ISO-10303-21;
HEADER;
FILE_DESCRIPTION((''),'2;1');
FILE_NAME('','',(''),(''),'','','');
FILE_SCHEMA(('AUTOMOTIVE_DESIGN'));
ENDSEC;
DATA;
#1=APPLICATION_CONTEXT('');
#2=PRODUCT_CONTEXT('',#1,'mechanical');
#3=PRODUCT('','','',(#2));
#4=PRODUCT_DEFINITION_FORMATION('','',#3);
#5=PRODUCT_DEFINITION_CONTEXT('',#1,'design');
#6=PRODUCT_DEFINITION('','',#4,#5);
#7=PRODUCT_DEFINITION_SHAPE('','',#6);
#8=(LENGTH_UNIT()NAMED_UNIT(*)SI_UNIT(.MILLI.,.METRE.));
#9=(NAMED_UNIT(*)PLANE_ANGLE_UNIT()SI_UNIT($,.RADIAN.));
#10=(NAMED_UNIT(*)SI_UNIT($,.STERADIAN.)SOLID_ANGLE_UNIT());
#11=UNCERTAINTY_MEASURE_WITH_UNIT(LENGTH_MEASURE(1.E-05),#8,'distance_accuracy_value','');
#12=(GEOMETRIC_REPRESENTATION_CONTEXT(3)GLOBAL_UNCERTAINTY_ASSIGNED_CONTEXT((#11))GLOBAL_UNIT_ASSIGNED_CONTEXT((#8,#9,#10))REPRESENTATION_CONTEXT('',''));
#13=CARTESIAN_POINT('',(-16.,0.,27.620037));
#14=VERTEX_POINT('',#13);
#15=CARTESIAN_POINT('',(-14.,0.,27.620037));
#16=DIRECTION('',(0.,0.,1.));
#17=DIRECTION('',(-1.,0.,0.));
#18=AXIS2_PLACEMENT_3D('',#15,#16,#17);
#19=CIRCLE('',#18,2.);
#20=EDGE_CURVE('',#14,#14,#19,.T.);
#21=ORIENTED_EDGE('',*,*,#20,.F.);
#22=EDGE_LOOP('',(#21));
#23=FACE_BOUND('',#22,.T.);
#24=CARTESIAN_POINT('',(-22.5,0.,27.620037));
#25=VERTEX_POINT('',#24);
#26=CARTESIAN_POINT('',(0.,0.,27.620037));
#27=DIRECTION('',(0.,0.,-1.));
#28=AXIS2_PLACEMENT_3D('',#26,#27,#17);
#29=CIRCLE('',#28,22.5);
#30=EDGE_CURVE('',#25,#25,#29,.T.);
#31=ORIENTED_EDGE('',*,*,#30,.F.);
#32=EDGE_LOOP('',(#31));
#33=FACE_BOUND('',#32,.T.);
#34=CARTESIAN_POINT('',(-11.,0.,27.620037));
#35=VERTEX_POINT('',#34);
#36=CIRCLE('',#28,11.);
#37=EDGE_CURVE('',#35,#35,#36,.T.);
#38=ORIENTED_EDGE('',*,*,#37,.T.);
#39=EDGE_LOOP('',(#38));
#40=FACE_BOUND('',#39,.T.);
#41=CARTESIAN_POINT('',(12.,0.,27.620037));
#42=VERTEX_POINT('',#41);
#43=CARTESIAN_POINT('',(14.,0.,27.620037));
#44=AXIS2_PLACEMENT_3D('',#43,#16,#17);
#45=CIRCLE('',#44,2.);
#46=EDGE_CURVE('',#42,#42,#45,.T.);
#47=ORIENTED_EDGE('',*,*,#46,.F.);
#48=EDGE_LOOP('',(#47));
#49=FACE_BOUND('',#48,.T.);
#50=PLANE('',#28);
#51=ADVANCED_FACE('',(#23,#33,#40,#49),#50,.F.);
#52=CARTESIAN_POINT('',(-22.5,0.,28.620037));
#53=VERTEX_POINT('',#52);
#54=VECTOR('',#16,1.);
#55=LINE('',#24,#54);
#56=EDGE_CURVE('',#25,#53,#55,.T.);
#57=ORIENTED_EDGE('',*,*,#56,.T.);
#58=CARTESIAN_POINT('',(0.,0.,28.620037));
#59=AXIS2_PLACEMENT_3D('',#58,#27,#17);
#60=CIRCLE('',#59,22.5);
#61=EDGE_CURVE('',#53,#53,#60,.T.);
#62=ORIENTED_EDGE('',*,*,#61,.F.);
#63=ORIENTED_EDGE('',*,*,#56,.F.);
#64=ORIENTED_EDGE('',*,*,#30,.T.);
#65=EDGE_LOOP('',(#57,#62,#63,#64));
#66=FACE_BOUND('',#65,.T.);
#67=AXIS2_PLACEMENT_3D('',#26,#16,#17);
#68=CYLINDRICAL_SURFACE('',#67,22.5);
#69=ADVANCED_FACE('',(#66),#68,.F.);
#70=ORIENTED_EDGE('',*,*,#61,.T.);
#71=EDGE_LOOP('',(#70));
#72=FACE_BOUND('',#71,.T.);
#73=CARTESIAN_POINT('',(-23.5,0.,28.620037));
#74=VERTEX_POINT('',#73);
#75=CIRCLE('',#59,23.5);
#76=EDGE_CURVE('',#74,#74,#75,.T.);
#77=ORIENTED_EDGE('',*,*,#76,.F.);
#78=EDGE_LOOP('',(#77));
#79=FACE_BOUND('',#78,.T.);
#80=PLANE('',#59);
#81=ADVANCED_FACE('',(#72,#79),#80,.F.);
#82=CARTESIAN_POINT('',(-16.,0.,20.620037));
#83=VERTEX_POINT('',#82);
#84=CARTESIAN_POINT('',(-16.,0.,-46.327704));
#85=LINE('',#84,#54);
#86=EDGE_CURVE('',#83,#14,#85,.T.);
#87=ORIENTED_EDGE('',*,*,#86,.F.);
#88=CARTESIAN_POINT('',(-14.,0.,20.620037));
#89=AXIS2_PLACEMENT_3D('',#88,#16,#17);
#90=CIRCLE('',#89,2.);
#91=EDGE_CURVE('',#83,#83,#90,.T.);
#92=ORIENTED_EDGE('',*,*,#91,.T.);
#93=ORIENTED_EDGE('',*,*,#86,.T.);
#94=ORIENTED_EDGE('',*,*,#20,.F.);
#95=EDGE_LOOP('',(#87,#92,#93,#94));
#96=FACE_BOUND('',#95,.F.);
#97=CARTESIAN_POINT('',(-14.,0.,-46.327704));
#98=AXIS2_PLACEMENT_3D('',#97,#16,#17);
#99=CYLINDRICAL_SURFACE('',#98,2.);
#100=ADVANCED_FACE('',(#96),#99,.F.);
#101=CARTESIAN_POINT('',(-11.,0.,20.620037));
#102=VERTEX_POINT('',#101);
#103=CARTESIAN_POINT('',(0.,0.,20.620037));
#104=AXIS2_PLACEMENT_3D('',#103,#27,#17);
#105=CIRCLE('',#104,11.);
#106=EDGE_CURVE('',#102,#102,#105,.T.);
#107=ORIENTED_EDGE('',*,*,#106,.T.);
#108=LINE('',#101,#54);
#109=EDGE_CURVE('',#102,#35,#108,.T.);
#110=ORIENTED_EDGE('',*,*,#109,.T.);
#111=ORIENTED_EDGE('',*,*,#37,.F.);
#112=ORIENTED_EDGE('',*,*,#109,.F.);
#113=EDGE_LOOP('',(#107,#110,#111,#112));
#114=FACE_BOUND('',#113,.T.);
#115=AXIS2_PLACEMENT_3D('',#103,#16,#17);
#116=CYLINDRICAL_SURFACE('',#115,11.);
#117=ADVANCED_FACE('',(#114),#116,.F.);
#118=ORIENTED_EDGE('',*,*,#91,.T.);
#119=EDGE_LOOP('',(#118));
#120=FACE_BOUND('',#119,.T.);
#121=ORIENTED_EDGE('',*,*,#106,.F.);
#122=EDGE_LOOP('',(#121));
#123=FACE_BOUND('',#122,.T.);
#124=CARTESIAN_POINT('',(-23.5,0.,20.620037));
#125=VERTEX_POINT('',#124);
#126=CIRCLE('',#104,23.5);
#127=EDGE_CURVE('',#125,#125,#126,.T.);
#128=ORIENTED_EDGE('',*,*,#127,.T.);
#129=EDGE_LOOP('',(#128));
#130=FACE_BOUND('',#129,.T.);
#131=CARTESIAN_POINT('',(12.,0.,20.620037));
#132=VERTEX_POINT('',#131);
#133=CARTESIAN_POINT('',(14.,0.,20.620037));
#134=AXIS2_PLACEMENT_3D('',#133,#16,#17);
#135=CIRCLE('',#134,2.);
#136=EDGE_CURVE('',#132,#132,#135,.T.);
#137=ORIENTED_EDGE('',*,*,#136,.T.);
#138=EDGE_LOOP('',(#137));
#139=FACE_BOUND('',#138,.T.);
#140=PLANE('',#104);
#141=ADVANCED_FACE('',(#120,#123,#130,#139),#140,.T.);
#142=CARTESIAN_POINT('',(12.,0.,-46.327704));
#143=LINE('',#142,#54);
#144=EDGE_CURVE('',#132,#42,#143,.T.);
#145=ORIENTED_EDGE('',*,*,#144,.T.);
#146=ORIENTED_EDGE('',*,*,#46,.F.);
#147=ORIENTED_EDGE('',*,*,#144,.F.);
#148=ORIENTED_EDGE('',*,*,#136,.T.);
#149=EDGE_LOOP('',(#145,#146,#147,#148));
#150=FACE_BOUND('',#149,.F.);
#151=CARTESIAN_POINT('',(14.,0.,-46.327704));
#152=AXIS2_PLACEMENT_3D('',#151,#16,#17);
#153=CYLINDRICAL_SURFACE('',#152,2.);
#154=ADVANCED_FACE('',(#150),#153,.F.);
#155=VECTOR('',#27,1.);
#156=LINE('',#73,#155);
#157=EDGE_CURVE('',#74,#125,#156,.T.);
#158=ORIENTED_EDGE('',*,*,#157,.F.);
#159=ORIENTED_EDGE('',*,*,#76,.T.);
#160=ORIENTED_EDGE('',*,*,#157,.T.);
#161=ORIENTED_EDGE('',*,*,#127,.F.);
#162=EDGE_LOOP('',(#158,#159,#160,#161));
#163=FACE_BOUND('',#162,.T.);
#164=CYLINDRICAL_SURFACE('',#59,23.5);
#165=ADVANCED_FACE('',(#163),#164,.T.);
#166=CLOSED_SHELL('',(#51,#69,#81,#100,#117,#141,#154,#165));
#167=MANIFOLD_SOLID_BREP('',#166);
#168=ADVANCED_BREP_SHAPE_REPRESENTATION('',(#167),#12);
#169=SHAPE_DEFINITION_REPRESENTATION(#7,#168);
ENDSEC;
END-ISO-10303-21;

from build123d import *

# Parameters (mm, degrees)
F3_D = 4


with BuildPart() as f1:
    # F0 (on Front) → F1 (revolve)
    with BuildSketch(Plane.XZ):
        Polygon((-23.5, 20.620037), (-11, 20.620037), (-11, 27.620037), (-22.5, 27.620037), (-22.5, 28.620037), (-23.5, 28.620037), align=None)
    revolve(axis=Axis((0, 0, 24.120037), (0, 0, -1)))

    # F3 (through all)
    with Locations(Plane(origin=(0, 0, 20.620037), x_dir=(1, 0, 0), z_dir=(0, 0, -1))):
        with Locations((-14, 0), (14, 0)):
            Hole(F3_D / 2)


solid = f1.part
